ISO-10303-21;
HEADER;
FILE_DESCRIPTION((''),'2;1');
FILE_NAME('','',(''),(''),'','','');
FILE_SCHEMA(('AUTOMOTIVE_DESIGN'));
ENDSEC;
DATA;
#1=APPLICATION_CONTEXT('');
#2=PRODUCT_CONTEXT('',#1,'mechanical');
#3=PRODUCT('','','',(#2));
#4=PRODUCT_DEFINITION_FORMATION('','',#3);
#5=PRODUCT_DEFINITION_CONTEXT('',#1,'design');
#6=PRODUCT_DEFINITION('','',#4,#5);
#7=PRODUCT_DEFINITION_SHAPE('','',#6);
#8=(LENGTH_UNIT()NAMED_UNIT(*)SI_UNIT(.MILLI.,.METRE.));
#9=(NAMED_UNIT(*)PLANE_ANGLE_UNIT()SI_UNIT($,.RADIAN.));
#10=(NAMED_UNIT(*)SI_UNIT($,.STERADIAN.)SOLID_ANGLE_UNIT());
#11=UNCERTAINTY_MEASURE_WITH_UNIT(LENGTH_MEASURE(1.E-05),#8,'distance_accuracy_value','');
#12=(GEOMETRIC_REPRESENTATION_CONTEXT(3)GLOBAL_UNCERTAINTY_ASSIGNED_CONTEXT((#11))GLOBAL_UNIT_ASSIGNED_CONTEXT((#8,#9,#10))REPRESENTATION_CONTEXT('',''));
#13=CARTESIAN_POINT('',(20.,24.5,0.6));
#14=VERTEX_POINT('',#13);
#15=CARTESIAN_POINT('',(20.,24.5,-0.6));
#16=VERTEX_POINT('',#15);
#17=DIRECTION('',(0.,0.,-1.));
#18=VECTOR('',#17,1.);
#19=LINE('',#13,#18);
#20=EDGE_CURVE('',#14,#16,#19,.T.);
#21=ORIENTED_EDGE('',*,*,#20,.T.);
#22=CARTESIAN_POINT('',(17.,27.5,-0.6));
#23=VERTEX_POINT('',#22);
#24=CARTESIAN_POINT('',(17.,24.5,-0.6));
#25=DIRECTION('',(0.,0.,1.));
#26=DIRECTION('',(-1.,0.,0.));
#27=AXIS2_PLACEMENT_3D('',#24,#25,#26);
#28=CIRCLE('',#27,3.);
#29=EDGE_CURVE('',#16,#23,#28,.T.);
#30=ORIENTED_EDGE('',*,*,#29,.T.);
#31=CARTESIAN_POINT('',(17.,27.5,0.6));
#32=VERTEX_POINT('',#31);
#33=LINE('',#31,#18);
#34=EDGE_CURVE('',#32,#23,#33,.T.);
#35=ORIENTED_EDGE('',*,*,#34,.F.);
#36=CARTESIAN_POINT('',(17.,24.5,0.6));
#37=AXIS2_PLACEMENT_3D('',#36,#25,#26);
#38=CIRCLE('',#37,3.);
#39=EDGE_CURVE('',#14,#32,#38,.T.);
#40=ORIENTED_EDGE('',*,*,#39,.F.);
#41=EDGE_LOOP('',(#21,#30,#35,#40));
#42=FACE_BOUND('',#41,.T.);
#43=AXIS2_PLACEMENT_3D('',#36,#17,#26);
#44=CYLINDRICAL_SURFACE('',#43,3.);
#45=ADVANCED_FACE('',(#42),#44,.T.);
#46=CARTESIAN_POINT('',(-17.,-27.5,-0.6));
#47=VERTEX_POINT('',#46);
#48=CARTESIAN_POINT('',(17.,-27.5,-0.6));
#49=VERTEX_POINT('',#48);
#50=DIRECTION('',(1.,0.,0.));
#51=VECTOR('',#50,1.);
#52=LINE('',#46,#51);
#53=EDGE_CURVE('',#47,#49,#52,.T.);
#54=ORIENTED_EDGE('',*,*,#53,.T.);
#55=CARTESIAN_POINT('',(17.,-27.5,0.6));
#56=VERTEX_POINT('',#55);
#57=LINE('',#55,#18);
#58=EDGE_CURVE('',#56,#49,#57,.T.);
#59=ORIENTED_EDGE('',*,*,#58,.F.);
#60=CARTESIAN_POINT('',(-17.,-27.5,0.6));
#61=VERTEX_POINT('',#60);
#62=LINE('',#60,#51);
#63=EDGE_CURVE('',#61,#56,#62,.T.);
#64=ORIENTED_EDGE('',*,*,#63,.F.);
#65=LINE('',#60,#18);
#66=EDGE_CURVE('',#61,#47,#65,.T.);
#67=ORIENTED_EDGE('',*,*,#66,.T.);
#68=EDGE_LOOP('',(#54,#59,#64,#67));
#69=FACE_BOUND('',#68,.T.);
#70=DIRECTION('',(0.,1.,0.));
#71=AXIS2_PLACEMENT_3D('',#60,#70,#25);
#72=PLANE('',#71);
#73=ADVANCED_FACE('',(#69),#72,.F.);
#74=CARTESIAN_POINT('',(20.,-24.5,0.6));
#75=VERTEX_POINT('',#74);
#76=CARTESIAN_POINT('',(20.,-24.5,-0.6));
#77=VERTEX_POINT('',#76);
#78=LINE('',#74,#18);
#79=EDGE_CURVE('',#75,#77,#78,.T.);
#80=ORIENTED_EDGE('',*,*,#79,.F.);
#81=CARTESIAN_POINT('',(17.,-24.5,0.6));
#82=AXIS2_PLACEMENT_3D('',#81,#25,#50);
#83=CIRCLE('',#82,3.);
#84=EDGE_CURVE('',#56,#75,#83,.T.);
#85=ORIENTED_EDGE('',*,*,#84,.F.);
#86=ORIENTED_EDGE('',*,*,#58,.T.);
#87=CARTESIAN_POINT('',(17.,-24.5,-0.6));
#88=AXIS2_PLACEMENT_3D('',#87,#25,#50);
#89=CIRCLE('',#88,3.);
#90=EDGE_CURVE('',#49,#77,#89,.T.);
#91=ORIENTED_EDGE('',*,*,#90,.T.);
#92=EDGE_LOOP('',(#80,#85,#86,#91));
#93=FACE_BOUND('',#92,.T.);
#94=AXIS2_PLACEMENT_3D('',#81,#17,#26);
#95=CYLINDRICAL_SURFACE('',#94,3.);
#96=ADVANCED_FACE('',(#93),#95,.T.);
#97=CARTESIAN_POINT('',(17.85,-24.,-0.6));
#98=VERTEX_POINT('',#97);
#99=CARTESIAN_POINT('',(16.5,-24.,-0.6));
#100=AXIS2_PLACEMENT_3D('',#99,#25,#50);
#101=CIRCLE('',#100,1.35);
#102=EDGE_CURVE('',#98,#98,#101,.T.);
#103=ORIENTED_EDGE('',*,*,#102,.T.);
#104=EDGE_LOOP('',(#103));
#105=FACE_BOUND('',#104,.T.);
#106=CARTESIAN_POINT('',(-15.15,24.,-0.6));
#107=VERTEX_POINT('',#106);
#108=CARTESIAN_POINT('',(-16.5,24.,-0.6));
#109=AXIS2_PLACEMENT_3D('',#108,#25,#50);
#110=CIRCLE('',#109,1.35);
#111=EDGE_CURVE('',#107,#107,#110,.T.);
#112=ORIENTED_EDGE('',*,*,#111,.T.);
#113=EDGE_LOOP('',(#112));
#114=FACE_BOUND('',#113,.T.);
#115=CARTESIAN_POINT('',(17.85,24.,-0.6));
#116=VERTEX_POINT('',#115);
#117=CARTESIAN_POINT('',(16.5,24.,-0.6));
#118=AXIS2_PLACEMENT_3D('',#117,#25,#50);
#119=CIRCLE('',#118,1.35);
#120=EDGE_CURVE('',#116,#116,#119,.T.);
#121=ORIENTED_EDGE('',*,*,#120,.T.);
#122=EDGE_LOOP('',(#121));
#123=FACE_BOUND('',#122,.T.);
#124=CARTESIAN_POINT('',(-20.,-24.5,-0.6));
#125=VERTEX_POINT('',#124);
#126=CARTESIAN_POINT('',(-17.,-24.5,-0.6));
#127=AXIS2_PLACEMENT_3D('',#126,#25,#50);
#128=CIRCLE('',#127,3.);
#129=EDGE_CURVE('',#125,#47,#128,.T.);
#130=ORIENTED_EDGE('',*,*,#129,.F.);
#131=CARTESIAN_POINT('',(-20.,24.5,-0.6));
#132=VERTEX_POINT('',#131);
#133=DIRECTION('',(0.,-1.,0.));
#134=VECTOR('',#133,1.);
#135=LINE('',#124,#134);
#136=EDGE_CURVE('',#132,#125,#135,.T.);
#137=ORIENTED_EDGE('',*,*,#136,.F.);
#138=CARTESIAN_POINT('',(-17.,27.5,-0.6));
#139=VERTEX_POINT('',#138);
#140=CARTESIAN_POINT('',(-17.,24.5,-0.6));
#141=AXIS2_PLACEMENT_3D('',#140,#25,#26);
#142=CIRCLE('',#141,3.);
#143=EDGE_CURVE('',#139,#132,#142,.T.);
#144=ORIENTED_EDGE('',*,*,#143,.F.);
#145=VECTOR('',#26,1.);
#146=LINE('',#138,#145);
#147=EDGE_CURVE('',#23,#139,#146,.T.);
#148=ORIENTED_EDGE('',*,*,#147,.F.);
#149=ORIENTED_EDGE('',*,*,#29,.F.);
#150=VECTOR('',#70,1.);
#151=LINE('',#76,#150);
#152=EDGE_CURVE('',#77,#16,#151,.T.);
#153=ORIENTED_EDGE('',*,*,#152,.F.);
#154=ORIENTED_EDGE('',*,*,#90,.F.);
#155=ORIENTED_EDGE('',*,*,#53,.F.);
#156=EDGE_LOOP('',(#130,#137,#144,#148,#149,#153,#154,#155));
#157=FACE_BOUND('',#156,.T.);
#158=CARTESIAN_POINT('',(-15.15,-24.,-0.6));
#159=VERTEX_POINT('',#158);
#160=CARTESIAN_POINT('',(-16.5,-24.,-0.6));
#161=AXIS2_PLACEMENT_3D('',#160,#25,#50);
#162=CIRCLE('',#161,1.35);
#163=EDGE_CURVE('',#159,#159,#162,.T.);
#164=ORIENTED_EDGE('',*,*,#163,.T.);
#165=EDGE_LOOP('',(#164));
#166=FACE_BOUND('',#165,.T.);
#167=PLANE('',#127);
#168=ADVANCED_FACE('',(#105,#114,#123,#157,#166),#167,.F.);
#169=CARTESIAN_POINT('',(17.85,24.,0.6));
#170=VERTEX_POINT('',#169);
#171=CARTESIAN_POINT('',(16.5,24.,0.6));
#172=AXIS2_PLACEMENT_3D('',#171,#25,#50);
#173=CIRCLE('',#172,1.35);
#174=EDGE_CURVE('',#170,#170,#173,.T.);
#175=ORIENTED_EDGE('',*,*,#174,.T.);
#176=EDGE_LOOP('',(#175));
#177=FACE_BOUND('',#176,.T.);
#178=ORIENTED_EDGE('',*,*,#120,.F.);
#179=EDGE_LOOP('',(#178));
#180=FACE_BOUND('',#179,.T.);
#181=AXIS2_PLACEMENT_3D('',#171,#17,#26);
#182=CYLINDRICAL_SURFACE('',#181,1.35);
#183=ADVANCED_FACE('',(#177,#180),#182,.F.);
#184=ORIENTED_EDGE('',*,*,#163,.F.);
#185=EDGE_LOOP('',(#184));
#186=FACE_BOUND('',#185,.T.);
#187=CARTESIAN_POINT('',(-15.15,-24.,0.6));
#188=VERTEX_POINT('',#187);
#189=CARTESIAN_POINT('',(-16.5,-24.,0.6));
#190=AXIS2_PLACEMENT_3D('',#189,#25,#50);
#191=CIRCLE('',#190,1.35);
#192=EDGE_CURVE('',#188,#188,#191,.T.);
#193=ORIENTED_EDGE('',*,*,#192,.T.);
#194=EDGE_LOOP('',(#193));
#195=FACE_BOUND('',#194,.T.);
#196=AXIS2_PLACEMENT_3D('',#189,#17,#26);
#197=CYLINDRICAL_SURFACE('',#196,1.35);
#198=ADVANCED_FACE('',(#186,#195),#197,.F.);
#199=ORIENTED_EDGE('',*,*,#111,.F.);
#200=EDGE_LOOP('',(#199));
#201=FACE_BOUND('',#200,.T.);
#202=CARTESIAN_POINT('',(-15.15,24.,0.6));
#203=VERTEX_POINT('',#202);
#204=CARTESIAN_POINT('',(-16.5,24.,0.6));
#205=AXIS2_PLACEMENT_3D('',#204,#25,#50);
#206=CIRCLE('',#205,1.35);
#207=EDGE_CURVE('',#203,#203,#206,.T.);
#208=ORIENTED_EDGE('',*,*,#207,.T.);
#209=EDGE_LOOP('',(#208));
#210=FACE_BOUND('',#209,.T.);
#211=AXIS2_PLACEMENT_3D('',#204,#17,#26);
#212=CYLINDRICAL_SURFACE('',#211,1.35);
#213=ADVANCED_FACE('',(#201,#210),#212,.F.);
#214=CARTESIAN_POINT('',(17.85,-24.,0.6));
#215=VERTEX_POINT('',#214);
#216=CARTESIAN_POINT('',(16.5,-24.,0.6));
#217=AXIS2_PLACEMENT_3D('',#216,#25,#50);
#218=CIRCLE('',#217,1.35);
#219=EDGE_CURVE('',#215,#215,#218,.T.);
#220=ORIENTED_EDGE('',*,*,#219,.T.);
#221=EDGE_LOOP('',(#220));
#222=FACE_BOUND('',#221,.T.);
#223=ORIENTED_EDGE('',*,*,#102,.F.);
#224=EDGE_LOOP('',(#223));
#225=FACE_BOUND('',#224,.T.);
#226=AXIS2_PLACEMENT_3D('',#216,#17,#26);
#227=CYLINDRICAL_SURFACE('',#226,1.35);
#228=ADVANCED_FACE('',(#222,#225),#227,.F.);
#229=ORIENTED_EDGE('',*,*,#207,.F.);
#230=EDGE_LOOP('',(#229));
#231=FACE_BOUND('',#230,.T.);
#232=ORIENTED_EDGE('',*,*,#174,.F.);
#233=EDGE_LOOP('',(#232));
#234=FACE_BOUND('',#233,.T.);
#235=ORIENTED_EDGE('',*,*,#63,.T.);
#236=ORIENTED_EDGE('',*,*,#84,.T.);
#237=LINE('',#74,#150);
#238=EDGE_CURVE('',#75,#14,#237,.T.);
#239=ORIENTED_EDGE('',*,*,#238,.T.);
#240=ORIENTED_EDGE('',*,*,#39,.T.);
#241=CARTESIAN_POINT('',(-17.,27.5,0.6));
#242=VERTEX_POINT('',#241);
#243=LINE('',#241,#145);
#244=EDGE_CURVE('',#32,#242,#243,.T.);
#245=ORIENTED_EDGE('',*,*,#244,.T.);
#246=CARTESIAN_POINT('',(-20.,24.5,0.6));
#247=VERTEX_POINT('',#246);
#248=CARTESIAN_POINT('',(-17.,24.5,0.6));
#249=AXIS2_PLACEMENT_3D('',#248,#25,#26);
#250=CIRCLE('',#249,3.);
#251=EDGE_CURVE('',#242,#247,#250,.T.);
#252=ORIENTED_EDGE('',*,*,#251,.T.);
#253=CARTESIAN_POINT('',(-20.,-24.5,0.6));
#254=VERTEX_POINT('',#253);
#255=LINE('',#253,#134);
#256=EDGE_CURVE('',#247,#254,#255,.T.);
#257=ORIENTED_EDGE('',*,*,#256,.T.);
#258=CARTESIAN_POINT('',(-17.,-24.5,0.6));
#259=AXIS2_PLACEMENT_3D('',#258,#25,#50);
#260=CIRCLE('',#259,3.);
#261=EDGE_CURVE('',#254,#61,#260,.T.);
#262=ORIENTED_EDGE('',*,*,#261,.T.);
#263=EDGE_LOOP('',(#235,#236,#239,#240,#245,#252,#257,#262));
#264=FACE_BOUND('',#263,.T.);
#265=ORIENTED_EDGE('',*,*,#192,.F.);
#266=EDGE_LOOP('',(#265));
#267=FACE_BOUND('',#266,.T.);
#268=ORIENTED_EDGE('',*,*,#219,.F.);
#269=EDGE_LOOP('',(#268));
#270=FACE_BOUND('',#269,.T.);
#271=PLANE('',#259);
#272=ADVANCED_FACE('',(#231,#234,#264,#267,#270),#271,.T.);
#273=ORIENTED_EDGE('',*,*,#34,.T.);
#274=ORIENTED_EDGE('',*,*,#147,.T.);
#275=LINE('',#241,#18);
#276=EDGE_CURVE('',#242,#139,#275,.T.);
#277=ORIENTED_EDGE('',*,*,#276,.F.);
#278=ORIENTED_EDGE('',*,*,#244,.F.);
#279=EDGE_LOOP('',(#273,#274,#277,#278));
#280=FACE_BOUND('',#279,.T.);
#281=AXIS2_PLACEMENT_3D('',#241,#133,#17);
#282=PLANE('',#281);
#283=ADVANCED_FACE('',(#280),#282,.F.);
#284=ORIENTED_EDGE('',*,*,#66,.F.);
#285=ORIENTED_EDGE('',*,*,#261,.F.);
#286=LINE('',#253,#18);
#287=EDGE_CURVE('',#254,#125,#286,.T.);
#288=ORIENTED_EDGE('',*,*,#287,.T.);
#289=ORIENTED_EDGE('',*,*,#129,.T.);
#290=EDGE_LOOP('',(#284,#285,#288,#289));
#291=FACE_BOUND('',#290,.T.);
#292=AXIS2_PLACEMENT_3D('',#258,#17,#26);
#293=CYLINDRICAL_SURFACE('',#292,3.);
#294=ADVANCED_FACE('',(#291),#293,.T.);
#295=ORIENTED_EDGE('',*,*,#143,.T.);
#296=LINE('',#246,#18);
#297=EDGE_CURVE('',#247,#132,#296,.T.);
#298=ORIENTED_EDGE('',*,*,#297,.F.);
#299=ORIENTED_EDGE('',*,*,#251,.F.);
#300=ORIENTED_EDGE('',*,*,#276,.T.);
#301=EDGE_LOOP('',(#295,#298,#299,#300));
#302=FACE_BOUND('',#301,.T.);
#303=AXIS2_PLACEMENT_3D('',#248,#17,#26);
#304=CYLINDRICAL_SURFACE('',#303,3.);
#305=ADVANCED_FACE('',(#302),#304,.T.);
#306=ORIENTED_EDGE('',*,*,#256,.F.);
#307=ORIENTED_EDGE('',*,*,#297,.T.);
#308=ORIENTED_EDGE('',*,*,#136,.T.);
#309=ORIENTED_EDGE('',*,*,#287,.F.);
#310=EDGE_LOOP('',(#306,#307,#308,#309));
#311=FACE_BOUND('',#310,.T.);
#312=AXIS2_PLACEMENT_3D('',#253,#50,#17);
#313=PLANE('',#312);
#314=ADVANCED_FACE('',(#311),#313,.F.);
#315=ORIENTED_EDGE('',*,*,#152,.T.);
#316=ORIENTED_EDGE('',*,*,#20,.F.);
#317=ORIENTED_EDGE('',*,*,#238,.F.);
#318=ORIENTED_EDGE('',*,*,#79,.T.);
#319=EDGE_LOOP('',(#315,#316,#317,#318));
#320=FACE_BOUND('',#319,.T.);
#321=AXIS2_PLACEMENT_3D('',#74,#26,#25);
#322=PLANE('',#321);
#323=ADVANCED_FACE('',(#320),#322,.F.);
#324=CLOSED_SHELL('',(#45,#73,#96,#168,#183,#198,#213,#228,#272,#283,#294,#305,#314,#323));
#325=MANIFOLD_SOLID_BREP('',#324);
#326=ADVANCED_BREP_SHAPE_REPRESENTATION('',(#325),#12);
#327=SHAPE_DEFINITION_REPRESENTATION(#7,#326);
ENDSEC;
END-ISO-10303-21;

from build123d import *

# Parameters (mm, degrees)
SKETCH1_R           = 1.35
BOSS_EXTRUDE1_DEPTH = 0.6


with BuildPart() as part:
    # Sketch1 → Boss-Extrude1 (new, symmetric)
    with BuildSketch(Plane.XY):
        with BuildLine():
            Line((-17, -27.5), (17, -27.5))
            ThreePointArc((17, -27.5), (19.121320344, -26.621320344), (20, -24.5))
            Line((20, -24.5), (20, 24.5))
            ThreePointArc((20, 24.5), (19.121320344, 26.621320344), (17, 27.5))
            Line((17, 27.5), (-17, 27.5))
            ThreePointArc((-17, 27.5), (-19.121320344, 26.621320344), (-20, 24.5))
            Line((-20, 24.5), (-20, -24.5))
            ThreePointArc((-20, -24.5), (-19.121320344, -26.621320344), (-17, -27.5))
        make_face()
        with Locations((-16.5, 24)):
            Circle(SKETCH1_R, mode=Mode.SUBTRACT)
        with Locations((-16.5, -24)):
            Circle(SKETCH1_R, mode=Mode.SUBTRACT)
        with Locations((16.5, -24)):
            Circle(SKETCH1_R, mode=Mode.SUBTRACT)
        with Locations((16.5, 24)):
            Circle(SKETCH1_R, mode=Mode.SUBTRACT)
    extrude(amount=BOSS_EXTRUDE1_DEPTH, both=True)


solid = part.part
